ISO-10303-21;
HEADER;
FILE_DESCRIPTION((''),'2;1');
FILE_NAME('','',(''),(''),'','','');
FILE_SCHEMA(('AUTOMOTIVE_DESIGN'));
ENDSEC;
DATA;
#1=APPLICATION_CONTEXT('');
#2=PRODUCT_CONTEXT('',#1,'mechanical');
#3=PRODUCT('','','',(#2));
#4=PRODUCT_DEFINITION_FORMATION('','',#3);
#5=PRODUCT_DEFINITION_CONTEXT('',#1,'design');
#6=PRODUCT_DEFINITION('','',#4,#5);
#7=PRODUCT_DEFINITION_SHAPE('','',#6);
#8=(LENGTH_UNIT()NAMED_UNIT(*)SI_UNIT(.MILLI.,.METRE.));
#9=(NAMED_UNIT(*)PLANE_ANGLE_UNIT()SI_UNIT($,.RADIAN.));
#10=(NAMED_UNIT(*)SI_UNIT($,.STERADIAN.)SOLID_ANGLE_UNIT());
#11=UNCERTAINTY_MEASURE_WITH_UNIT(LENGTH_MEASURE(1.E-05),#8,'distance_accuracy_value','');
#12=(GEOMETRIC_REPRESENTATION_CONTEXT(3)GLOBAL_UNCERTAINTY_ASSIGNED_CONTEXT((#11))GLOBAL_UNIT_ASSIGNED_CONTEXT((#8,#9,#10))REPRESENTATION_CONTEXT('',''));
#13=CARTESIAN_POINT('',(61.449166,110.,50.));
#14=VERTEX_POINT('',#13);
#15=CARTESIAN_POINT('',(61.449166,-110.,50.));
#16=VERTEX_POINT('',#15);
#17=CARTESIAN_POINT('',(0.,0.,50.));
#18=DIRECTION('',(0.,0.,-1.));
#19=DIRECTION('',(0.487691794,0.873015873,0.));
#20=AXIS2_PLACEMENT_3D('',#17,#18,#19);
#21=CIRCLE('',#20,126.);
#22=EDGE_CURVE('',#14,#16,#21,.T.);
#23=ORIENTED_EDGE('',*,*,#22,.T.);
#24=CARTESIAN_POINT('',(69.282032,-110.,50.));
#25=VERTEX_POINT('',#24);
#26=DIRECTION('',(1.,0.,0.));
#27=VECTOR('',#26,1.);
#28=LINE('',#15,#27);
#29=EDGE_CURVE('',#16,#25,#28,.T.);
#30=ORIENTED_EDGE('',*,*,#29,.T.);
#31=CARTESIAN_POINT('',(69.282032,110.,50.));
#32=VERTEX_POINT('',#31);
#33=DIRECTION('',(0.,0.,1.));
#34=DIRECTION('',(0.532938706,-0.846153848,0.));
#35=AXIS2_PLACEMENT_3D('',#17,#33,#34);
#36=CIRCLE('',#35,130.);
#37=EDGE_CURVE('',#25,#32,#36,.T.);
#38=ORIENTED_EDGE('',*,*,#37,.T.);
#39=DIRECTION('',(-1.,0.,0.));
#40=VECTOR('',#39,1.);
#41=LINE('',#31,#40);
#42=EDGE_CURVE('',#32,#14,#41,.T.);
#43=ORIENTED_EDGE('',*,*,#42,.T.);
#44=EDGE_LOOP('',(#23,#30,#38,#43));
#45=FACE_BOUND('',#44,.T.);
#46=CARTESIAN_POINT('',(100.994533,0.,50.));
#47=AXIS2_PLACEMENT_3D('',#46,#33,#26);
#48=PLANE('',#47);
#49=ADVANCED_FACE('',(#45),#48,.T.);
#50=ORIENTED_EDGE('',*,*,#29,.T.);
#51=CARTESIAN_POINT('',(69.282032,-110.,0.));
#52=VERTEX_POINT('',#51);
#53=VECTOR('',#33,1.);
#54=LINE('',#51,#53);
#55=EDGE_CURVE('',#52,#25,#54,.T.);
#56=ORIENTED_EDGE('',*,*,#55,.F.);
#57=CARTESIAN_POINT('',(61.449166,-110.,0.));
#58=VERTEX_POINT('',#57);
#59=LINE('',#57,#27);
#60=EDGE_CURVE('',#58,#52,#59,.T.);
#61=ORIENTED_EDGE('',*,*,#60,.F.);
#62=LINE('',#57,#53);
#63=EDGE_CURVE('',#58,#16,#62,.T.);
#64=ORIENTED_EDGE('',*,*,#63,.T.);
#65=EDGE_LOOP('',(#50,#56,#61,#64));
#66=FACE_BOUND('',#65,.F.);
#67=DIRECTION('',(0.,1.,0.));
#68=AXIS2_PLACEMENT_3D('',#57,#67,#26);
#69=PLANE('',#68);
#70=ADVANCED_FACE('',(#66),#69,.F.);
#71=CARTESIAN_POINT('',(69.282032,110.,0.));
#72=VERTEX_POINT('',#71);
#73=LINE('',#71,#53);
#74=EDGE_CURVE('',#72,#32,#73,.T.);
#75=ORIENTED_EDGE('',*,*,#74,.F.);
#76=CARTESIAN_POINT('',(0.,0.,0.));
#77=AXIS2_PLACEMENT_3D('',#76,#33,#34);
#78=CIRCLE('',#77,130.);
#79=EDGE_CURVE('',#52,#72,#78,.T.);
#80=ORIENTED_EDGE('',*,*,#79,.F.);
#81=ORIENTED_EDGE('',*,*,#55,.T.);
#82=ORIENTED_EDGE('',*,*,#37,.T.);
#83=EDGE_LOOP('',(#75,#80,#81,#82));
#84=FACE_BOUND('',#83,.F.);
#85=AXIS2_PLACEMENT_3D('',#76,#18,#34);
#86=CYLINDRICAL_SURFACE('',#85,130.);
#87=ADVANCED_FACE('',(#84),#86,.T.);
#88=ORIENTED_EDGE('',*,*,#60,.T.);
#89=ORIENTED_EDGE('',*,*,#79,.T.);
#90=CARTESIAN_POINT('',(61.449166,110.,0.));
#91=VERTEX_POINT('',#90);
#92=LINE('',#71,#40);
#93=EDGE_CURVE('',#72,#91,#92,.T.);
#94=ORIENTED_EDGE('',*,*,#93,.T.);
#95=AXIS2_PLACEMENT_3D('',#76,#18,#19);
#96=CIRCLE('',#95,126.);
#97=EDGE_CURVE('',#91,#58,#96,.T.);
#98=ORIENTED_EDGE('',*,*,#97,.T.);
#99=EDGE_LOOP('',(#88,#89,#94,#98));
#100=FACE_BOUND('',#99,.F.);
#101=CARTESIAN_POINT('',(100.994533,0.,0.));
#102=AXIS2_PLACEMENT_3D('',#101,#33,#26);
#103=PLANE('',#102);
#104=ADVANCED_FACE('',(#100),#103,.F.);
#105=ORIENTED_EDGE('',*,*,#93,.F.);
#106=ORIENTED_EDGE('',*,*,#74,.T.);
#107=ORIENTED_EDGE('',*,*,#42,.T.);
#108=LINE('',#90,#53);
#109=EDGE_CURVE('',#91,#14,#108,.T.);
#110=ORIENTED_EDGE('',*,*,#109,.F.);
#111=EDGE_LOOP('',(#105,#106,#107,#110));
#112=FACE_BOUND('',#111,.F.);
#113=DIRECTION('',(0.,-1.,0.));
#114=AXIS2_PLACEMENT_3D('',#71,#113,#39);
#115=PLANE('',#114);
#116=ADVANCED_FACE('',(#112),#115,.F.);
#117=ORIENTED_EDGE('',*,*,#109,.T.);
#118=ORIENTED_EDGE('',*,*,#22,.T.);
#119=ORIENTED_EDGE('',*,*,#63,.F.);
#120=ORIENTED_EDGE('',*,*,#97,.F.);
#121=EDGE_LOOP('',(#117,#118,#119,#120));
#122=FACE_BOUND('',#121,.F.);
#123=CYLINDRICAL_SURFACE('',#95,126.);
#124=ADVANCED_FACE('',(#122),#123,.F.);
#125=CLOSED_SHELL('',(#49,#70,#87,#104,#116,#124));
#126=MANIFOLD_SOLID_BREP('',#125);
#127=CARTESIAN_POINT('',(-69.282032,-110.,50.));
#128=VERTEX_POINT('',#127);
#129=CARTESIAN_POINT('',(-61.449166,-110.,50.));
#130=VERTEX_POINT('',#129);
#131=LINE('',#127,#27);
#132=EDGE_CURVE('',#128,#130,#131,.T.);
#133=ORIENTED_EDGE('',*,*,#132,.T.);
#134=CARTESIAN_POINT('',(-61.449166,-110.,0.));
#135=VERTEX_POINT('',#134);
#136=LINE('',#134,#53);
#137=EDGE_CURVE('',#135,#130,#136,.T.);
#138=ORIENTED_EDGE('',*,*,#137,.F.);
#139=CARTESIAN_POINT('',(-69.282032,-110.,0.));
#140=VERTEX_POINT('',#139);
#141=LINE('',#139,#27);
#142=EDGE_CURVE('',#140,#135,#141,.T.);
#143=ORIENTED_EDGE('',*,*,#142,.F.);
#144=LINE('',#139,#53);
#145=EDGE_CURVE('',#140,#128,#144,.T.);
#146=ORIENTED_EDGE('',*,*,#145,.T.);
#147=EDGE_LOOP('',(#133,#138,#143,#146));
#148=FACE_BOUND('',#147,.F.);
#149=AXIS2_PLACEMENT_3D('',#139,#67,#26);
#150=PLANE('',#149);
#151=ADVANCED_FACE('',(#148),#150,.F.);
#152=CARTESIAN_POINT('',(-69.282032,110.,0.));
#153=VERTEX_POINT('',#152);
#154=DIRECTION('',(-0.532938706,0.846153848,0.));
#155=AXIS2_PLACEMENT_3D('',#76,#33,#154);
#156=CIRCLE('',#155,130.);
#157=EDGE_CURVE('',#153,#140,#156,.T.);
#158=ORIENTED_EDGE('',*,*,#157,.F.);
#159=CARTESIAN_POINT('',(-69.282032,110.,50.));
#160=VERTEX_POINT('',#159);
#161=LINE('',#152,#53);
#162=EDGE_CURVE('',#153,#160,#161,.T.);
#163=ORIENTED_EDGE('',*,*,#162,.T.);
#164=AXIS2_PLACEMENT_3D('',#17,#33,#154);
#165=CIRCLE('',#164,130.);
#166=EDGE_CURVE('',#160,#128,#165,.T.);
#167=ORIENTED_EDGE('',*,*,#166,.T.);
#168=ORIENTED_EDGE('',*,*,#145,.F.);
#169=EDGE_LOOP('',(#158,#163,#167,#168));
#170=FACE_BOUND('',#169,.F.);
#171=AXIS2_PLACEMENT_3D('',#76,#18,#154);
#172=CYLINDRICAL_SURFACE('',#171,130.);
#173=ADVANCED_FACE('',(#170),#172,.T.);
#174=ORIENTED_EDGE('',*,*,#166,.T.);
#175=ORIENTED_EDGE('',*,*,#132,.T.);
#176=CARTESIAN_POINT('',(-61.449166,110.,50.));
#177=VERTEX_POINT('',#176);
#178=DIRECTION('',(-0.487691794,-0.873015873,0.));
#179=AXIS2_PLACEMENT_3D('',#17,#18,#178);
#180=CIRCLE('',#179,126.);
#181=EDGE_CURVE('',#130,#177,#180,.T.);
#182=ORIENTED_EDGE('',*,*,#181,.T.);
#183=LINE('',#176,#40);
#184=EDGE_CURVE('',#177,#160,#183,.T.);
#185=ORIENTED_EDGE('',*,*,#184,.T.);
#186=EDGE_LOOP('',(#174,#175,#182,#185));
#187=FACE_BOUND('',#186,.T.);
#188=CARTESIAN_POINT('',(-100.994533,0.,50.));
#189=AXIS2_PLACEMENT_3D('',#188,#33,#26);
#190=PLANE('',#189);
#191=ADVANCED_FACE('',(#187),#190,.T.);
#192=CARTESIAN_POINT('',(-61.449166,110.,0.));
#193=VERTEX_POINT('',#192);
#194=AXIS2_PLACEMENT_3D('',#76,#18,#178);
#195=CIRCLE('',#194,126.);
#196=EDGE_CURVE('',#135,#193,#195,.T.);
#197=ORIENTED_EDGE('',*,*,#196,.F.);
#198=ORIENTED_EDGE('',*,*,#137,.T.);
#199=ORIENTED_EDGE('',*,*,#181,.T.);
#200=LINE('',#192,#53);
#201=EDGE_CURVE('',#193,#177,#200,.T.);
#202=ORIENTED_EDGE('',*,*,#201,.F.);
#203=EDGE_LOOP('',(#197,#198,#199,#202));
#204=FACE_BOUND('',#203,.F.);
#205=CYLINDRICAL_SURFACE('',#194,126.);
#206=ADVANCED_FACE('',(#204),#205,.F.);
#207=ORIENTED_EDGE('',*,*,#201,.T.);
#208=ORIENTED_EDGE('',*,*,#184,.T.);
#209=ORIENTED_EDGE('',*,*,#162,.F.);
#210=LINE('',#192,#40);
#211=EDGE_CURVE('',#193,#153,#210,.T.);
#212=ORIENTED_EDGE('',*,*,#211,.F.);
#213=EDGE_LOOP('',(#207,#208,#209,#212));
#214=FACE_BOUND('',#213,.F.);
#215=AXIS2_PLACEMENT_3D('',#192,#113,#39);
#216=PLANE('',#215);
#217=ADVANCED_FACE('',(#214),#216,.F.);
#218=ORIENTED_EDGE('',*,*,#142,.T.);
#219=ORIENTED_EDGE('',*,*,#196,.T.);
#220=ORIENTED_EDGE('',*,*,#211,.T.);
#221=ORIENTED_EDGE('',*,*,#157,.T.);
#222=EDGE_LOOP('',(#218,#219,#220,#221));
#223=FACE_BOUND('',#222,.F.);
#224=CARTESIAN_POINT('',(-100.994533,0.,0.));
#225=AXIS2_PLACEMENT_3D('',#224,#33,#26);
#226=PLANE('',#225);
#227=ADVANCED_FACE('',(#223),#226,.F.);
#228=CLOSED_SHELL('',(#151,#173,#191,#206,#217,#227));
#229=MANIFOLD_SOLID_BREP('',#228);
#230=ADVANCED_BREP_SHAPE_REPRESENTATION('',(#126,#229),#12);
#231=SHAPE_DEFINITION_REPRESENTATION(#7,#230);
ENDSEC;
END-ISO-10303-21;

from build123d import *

# Parameters (mm, degrees)
F1_DEPTH = 50


with BuildPart() as f1:
    # F0 (on Top) → F1 (new body)
    with BuildSketch(Plane.XY):
        with BuildLine():
            Line((-61.449166, 110), (-69.282032, 110))
            ThreePointArc((-69.282032, 110), (-130, 0), (-69.282032, -110))
            Line((-69.282032, -110), (-61.449166, -110))
            ThreePointArc((-61.449166, -110), (-126, 0), (-61.449166, 110))
        make_face()
        with BuildLine():
            Line((61.449166, -110), (69.282032, -110))
            ThreePointArc((69.282032, -110), (130, 0), (69.282032, 110))
            Line((69.282032, 110), (61.449166, 110))
            ThreePointArc((61.449166, 110), (126, 0), (61.449166, -110))
        make_face()
    extrude(amount=F1_DEPTH)


solid = f1.part
